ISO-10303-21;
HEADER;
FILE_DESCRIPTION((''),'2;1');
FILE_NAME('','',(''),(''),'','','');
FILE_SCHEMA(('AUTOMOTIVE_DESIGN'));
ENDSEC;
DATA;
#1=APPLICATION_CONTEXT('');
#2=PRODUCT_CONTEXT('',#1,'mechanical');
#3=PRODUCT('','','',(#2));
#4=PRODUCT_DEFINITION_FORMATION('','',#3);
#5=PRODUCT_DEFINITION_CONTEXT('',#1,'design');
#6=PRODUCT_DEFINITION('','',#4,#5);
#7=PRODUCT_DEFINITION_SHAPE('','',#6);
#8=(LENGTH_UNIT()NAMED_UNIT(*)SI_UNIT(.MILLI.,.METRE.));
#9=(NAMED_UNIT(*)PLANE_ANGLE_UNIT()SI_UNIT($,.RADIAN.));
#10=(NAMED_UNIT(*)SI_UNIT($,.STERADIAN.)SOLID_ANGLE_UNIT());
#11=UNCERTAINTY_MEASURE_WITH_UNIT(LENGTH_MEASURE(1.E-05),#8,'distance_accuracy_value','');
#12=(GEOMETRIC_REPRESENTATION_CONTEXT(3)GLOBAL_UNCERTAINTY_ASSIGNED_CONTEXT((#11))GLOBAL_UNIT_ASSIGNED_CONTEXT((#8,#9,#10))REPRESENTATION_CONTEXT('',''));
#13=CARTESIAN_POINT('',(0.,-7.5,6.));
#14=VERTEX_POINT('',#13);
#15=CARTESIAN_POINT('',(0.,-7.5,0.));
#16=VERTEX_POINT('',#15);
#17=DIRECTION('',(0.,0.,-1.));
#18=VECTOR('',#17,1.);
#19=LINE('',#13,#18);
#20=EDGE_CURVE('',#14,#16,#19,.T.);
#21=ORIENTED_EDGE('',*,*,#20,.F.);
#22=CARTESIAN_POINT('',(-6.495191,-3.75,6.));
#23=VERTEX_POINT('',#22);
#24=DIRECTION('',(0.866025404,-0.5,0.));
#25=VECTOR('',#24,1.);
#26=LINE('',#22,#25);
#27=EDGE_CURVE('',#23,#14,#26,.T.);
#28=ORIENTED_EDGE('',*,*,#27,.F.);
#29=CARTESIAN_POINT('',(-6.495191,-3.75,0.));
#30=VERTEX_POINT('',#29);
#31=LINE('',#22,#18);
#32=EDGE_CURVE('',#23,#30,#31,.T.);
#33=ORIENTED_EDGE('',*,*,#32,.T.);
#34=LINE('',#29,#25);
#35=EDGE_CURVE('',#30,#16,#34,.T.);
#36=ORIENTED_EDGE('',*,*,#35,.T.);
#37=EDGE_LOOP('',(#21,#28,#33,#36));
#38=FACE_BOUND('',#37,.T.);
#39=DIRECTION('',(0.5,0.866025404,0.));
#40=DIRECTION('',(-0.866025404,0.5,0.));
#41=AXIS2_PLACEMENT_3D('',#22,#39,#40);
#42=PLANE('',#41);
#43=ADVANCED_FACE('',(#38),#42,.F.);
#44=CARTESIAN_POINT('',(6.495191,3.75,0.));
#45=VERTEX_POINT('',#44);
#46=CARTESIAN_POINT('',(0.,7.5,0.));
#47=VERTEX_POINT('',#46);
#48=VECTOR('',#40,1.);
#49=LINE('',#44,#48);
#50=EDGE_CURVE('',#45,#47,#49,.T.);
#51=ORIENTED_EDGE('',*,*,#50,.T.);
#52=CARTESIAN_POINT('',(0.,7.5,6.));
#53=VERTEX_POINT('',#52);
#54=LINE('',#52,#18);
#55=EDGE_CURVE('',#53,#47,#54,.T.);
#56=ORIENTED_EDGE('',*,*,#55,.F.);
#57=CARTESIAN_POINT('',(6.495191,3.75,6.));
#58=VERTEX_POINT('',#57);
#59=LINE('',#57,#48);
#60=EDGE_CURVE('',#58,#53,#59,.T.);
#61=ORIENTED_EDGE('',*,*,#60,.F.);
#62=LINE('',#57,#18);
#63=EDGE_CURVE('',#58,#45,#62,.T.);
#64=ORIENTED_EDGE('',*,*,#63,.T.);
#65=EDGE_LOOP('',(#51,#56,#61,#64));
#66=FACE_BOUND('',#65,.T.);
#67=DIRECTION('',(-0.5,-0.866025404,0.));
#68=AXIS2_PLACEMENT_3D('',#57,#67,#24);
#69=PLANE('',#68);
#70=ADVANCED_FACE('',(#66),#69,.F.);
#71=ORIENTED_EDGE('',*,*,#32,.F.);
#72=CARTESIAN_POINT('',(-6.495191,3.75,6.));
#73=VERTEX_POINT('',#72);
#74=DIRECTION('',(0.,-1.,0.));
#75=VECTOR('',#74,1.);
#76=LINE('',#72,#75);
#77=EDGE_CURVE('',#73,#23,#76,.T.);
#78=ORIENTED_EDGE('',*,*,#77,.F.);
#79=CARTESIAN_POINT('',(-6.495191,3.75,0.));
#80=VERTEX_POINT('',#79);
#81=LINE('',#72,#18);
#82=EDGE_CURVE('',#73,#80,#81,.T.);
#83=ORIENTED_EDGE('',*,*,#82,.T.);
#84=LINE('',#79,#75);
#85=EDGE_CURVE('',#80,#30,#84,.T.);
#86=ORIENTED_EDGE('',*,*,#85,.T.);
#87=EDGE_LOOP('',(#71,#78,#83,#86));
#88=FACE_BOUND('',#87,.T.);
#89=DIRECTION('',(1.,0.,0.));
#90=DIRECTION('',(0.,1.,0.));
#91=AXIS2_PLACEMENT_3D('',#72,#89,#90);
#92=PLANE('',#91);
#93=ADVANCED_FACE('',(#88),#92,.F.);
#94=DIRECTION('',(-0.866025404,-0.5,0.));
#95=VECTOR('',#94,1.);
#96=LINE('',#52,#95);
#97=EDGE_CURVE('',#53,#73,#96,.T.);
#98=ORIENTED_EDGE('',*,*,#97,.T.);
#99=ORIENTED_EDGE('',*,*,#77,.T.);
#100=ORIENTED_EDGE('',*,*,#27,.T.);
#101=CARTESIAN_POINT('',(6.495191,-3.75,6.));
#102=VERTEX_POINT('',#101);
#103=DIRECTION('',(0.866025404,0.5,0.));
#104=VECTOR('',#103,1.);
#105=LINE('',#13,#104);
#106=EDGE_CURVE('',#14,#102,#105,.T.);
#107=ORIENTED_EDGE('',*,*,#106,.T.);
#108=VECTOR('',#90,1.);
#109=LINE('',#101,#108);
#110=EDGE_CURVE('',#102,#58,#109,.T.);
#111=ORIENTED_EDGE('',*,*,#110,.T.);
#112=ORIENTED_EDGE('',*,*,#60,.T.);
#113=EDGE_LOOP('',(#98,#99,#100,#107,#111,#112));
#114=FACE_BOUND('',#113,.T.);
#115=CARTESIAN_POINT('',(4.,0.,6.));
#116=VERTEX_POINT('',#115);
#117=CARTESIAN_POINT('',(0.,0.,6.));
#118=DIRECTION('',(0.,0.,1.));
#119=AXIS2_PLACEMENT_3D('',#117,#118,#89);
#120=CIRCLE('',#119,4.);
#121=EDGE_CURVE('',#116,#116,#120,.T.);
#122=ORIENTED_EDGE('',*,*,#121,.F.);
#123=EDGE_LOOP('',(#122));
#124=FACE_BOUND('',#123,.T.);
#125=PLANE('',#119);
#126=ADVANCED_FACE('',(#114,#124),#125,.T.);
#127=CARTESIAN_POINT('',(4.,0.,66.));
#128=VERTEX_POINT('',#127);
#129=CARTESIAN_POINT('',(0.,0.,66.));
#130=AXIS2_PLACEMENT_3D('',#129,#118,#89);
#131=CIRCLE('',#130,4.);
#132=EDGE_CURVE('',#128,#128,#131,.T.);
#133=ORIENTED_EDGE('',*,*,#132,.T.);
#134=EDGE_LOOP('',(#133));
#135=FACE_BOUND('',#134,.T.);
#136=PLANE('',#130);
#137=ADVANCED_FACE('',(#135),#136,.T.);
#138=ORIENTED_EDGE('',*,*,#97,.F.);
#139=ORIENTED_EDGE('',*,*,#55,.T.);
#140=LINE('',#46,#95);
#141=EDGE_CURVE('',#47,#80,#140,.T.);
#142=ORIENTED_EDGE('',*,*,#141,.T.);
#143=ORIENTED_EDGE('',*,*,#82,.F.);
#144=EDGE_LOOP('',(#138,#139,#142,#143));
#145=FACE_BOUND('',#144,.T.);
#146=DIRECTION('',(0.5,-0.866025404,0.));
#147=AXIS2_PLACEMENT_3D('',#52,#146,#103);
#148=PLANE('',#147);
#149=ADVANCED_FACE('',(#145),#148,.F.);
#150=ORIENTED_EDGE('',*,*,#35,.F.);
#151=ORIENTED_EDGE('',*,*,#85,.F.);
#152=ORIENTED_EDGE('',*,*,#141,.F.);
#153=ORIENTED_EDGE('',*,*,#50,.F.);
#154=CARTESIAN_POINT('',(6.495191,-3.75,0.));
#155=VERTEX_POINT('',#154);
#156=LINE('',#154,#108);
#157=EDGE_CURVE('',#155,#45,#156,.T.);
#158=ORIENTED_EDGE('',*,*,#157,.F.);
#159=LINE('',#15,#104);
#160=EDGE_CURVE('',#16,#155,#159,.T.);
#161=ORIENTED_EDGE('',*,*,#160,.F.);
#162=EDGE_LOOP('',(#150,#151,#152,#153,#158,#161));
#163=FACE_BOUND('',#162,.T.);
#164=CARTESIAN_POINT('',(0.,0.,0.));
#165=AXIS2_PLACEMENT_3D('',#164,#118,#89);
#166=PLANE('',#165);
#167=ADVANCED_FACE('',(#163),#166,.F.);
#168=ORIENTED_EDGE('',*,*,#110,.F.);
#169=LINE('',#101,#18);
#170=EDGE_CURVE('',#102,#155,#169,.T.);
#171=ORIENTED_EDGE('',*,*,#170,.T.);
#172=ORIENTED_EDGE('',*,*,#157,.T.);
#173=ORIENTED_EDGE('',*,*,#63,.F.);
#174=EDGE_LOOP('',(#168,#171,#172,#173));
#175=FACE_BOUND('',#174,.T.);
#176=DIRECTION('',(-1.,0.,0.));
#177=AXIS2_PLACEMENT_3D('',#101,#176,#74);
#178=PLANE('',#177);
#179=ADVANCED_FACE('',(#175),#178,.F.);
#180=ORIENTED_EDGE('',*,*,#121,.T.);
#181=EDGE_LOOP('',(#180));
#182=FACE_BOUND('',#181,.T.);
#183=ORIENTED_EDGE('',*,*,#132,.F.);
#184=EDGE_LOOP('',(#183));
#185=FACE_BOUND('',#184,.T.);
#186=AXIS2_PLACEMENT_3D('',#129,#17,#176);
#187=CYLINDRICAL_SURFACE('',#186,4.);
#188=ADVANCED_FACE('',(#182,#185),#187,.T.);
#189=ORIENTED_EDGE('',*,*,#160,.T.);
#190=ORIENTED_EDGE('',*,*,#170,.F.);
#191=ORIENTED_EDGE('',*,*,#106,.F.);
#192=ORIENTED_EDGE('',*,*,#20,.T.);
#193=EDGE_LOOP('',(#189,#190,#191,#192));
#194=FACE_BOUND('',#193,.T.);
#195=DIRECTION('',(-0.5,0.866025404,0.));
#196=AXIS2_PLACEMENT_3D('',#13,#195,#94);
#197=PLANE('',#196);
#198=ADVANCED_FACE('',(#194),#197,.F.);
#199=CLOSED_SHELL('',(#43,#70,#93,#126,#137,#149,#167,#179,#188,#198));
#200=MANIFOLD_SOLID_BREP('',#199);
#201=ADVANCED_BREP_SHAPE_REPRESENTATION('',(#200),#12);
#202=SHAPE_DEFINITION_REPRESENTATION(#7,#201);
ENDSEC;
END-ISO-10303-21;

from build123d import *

# Parameters (mm, degrees)
BOSS_EXTRUDE1_DEPTH         = 6
SKETCH2_R                   = 4
LONGITUD_DE_TORNILLLO_DEPTH = 60


with BuildPart() as part:
    # Sketch1 → Boss-Extrude1 (new body)
    with BuildSketch(Plane.XY):
        Polygon((0, 7.5), (-6.495190528, 3.75), (-6.495190528, -3.75), (0, -7.5), (6.495190528, -3.75), (6.495190528, 3.75), align=None)
    extrude(amount=BOSS_EXTRUDE1_DEPTH)

    # Sketch2 → Longitud de tornilllo (add)
    with BuildSketch(Plane.XY.offset(6)):
        Circle(SKETCH2_R)
    extrude(amount=LONGITUD_DE_TORNILLLO_DEPTH)


solid = part.part
